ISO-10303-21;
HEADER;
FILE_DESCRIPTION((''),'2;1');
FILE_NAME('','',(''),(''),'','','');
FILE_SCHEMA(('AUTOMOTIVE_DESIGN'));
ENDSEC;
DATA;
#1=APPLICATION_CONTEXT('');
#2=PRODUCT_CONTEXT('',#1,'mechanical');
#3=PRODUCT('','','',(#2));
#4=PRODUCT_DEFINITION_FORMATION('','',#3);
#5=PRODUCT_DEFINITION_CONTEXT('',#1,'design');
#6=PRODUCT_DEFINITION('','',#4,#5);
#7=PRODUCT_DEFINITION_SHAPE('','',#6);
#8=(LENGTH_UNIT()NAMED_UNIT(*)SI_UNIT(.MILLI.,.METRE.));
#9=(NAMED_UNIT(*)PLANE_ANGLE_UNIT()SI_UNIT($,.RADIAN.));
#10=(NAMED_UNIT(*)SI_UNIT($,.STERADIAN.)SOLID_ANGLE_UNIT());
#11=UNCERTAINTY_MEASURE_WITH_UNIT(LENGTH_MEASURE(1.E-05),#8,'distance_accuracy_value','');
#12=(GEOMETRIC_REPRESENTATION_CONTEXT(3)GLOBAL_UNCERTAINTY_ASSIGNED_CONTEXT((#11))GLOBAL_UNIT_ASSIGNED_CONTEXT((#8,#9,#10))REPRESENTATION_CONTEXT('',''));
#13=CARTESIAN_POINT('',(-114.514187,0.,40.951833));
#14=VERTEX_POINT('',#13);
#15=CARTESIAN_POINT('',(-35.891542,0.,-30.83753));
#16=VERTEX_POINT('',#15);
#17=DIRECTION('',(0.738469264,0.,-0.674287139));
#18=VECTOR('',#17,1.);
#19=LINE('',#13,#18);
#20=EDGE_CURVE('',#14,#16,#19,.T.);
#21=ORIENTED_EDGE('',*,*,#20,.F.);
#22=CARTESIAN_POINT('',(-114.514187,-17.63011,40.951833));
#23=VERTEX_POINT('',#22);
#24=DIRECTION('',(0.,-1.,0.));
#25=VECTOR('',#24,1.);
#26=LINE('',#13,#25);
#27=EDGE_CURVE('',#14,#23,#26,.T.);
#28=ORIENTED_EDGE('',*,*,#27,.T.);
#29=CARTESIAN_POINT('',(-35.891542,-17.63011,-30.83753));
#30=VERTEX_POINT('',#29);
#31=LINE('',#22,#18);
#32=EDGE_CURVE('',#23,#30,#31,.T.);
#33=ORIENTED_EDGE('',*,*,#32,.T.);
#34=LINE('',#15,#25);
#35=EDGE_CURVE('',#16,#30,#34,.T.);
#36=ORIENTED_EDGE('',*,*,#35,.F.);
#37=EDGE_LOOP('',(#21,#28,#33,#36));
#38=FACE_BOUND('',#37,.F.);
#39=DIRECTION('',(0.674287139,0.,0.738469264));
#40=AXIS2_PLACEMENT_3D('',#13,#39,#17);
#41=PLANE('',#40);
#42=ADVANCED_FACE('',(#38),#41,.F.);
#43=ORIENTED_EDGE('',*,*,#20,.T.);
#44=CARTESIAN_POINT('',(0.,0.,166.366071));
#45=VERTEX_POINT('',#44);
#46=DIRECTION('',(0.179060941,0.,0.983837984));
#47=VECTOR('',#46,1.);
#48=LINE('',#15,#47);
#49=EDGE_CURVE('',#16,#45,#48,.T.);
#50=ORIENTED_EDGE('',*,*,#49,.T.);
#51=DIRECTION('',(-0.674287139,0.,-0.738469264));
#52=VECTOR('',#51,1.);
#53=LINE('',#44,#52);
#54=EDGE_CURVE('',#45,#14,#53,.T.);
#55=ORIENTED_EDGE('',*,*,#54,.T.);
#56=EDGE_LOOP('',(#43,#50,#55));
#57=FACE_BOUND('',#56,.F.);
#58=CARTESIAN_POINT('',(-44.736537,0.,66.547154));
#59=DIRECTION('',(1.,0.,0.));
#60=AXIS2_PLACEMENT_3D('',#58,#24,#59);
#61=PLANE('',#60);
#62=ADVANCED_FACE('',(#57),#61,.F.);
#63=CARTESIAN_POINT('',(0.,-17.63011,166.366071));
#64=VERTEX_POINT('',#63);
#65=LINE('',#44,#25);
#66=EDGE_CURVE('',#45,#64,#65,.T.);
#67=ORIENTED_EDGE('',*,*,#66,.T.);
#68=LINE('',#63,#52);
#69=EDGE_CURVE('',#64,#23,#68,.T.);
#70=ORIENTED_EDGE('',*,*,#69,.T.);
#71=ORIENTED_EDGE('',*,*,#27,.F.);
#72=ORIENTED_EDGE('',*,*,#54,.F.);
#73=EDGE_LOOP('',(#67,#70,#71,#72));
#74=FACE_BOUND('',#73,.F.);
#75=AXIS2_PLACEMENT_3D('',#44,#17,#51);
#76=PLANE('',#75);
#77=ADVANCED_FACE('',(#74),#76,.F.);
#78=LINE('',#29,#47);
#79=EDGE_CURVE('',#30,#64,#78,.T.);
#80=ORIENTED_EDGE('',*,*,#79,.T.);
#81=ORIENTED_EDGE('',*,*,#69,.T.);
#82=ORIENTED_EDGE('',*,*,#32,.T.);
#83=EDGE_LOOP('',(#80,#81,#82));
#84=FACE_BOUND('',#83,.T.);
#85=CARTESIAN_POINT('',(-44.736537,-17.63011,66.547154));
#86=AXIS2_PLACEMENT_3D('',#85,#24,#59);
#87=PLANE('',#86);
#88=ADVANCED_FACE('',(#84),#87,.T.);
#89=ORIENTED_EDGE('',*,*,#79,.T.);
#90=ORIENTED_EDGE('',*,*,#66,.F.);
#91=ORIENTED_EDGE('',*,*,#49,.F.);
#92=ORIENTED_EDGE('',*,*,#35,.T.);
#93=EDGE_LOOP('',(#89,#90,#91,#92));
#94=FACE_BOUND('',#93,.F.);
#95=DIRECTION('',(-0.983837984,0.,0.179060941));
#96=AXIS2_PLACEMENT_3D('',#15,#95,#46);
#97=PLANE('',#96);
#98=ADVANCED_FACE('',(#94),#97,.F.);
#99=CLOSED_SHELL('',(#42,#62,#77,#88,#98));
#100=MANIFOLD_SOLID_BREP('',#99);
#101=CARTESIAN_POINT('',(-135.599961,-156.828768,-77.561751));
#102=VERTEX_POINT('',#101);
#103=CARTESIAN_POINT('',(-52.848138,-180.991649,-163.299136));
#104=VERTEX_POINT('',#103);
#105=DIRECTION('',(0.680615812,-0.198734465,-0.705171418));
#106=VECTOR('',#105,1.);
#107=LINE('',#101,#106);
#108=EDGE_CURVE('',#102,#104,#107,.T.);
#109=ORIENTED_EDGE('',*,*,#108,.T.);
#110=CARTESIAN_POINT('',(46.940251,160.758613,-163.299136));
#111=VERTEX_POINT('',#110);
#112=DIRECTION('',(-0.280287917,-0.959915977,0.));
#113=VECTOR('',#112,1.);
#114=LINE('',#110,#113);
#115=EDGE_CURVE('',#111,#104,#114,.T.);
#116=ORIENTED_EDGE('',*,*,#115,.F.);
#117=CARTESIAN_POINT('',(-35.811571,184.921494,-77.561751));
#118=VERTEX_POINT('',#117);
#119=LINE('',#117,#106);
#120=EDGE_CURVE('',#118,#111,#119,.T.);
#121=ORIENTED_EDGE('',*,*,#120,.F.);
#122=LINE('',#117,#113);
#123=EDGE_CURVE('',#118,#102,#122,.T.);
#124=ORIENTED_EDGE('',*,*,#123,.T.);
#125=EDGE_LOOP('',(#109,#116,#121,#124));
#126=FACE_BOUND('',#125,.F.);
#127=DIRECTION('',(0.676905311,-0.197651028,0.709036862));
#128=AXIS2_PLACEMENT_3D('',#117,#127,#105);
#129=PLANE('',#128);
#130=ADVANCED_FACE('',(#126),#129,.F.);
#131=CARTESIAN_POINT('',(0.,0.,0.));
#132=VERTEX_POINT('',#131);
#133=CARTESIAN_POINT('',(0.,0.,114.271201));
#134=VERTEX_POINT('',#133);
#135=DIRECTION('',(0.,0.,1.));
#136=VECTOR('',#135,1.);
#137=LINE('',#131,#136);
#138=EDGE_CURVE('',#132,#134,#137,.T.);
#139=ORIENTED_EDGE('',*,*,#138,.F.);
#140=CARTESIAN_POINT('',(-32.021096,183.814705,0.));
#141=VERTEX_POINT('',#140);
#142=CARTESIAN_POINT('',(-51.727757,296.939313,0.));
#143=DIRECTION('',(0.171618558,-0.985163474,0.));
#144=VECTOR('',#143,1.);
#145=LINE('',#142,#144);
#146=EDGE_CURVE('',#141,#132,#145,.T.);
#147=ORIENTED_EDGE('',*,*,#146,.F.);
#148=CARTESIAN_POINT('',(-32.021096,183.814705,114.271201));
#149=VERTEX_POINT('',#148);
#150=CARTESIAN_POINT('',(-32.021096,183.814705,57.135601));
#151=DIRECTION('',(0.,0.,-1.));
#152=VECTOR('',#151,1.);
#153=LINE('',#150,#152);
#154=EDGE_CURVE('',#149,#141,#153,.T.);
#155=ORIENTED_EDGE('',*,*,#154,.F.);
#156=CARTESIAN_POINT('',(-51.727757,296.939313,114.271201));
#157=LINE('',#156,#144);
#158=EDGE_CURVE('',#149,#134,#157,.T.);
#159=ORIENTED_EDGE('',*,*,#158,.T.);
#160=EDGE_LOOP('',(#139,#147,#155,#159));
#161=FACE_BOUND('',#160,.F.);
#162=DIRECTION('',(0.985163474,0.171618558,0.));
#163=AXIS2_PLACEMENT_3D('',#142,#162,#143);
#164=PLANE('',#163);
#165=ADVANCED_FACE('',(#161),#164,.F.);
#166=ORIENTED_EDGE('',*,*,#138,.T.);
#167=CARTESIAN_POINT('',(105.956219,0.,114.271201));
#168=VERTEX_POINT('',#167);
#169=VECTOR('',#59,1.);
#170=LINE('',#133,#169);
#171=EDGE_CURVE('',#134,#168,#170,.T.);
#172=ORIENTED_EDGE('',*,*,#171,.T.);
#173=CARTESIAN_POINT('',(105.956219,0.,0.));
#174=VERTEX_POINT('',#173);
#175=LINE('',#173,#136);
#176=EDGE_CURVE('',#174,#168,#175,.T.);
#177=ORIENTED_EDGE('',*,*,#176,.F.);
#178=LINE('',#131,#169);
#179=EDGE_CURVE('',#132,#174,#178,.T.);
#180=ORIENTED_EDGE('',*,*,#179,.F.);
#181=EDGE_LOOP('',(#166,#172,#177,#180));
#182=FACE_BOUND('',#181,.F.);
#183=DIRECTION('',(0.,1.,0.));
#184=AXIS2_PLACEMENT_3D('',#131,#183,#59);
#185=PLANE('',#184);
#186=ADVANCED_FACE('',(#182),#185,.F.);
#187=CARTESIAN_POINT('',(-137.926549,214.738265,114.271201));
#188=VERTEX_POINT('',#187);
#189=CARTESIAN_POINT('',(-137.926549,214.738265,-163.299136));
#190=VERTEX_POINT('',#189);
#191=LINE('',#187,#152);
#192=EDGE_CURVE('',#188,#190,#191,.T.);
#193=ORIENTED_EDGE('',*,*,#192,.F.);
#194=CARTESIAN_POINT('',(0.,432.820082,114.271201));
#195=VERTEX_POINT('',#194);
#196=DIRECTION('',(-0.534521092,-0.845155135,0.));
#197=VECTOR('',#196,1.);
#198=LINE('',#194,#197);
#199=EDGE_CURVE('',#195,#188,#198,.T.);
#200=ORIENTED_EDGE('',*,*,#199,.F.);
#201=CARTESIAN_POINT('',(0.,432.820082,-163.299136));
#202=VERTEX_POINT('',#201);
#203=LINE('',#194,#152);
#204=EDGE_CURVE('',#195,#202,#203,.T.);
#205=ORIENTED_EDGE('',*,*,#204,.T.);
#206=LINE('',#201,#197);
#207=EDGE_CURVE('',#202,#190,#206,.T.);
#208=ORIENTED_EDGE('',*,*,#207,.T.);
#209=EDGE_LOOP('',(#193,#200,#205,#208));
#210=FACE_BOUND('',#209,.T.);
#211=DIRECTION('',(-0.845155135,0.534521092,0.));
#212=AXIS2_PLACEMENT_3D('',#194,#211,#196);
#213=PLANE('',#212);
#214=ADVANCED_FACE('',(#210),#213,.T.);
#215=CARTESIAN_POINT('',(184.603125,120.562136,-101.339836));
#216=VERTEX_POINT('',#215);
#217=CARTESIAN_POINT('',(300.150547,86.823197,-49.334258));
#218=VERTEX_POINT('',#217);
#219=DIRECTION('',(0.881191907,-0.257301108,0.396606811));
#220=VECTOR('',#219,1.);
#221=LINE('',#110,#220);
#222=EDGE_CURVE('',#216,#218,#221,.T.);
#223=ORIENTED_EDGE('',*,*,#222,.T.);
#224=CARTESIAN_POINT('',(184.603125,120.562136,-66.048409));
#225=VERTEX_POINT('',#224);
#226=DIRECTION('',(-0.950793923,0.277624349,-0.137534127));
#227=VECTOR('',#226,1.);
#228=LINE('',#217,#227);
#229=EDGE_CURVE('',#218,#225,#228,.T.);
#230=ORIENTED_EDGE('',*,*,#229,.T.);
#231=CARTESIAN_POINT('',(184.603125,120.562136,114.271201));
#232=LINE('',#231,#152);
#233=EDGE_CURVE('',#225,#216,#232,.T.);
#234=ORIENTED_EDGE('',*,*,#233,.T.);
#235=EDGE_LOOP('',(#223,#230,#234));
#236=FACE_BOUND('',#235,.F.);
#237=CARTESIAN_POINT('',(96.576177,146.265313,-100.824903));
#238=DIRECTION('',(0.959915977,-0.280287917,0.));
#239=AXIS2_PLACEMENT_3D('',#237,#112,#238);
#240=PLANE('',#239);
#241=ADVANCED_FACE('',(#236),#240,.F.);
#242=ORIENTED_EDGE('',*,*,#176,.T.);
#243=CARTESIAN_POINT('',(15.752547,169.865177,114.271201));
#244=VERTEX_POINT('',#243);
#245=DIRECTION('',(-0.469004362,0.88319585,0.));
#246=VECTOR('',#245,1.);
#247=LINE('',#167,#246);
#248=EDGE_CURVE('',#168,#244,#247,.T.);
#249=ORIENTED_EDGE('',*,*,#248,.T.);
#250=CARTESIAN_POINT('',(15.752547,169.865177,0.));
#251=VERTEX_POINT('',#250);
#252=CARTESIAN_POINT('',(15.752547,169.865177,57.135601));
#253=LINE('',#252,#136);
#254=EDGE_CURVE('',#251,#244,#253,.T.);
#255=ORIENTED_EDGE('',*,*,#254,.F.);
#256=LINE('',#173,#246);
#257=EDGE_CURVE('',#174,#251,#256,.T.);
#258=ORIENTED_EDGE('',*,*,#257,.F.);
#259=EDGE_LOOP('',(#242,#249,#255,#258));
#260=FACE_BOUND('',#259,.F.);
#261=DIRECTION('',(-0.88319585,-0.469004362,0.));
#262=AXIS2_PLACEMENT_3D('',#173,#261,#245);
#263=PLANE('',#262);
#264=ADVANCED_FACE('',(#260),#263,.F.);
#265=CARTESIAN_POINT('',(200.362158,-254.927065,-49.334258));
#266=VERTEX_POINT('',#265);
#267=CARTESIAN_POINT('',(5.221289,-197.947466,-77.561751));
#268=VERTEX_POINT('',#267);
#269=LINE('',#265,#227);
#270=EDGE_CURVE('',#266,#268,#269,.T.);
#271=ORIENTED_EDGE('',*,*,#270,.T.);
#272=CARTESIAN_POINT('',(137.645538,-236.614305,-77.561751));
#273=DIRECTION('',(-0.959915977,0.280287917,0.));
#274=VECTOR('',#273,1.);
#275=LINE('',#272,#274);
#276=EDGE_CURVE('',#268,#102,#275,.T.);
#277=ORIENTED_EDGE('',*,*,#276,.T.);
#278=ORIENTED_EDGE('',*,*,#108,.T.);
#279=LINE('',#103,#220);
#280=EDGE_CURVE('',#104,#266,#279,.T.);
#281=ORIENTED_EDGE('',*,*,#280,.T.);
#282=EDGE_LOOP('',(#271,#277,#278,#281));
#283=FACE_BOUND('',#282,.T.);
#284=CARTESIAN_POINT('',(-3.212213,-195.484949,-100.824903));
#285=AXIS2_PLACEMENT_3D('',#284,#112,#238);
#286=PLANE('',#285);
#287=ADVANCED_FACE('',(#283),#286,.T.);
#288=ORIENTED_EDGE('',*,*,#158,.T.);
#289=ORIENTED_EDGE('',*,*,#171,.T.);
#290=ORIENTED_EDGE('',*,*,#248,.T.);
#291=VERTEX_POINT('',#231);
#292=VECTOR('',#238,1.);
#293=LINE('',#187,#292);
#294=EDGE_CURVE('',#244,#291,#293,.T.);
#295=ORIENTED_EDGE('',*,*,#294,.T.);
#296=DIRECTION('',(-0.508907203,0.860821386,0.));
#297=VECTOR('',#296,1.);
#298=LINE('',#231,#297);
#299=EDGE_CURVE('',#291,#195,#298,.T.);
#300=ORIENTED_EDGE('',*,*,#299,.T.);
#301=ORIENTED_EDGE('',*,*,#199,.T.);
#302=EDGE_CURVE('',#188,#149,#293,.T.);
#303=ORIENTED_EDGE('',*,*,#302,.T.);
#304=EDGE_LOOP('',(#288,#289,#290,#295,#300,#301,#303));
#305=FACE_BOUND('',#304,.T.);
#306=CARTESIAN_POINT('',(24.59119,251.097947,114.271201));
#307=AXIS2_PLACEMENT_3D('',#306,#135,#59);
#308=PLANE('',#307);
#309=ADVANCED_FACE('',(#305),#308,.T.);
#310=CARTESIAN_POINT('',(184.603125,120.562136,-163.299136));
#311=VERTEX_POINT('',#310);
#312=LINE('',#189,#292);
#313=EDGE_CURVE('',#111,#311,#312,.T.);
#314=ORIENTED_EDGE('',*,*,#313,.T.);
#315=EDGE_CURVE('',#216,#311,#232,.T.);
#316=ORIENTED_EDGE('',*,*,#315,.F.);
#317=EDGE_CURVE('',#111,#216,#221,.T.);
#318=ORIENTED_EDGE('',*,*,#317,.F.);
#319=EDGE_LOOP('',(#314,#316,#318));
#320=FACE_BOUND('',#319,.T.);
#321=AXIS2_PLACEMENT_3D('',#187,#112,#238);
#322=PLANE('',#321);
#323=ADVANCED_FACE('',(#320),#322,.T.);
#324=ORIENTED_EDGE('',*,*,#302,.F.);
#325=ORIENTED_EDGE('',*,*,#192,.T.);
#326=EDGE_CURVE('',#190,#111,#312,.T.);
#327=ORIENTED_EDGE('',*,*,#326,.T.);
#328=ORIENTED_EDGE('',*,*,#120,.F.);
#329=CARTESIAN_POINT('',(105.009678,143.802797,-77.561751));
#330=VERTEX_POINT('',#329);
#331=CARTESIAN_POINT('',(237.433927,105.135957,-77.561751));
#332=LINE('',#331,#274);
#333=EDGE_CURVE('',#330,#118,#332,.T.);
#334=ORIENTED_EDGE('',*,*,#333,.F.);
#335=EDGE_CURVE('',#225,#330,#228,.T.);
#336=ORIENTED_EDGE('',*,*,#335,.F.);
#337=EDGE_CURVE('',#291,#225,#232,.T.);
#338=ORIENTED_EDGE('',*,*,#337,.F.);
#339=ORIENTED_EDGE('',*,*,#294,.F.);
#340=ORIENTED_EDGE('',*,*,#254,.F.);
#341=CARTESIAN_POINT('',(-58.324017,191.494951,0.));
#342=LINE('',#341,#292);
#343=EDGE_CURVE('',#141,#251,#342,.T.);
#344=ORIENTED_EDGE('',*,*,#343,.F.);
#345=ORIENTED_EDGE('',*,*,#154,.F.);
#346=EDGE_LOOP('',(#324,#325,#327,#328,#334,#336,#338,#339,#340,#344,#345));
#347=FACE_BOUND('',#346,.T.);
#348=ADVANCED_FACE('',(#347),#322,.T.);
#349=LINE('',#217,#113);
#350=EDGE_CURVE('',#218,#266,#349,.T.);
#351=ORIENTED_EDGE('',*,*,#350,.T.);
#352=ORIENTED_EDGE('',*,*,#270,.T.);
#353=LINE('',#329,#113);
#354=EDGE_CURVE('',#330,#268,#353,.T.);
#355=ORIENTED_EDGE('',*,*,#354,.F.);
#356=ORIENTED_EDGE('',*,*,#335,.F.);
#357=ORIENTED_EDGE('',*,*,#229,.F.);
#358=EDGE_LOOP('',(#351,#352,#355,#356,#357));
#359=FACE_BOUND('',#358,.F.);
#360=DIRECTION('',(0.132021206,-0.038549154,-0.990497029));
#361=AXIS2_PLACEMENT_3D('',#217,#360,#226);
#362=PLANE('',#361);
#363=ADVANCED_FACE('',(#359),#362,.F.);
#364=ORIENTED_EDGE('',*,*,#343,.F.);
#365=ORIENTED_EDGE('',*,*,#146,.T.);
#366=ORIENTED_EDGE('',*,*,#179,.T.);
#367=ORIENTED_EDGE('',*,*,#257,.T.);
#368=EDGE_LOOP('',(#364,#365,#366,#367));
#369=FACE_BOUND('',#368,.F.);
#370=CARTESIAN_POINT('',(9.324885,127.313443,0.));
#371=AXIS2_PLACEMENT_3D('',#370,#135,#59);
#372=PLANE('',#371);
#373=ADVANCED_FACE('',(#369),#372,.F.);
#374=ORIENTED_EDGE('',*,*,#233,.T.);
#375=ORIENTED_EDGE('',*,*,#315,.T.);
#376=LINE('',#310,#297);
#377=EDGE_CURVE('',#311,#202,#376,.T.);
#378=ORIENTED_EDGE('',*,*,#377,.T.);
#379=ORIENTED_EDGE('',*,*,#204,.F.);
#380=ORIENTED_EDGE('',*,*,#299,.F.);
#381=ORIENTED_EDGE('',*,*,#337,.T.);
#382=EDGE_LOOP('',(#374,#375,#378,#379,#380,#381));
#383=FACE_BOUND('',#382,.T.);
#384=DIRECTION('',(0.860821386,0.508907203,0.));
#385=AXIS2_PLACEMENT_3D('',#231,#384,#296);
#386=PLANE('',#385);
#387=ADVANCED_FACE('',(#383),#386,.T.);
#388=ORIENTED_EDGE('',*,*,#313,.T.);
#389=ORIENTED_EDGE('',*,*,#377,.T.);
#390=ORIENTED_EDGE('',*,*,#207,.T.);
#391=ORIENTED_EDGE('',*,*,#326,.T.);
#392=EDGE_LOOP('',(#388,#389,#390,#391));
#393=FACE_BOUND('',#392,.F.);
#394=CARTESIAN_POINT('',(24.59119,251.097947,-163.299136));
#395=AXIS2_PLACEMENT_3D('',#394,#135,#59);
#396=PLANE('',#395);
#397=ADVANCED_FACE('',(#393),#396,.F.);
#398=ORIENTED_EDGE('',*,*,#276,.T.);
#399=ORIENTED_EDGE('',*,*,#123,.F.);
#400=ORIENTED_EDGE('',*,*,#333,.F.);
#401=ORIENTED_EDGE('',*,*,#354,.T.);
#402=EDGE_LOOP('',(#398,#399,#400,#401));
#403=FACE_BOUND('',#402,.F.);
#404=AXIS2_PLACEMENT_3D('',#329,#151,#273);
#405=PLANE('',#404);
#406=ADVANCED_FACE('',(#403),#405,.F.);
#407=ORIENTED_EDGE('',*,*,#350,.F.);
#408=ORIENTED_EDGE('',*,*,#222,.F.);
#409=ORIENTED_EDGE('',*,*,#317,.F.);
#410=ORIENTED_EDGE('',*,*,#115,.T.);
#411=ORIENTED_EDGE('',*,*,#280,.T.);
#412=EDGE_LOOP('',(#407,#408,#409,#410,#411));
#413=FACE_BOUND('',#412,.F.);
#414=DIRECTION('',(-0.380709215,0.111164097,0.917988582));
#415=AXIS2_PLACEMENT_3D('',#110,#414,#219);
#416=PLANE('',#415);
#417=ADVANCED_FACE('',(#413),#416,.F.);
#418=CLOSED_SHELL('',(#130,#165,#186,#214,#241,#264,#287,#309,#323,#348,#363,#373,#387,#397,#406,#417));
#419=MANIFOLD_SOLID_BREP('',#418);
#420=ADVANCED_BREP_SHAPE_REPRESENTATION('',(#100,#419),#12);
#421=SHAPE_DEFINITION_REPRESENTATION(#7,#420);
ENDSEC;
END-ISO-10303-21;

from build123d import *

# Parameters (mm, degrees)
F1_DEPTH = 17.6301095635
F3_DEPTH = 114.2712011933
F5_DEPTH = 277.5703370571
F7_DEPTH = 356.0210168362


with BuildPart() as f1:
    # F0 (on Front) → F1 (new body)
    with BuildSketch(Plane.XZ):
        Polygon((-35.8915419667, -30.8375303411), (0, 166.366070509), (-114.5141869783, 40.9518331289), align=None)
    extrude(amount=F1_DEPTH)


with BuildPart() as f3:
    # F2 (on Top) → F3 (new body)
    with BuildSketch(Plane.XY):
        Polygon((-51.7277568579, 296.9393134117), (0, 0), (105.9562191367, 0), align=None)
    extrude(amount=F3_DEPTH)

    # F4 (on face) → F5 (join)
    with BuildSketch(Plane.XY.offset(114.2712011933)):
        Polygon((184.6031248569, 120.5621361732), (0, 432.8200817108), (-137.9265487194, 214.7382646799), align=None)
    extrude(amount=-F5_DEPTH)

    # F6 (on face) → F7 (join)
    with BuildSketch(Plane(origin=(46.9402508542, 160.7586128848, 0), x_dir=(0.9599159773, -0.2802879172, 0), z_dir=(-0.2802879172, -0.9599159773, 0))):
        Polygon((198.4482820092, -77.561751008), (60.4942813516, -77.561751008), (-86.2073600292, -77.561751008), (0, -163.2991358638), align=None)
        Polygon((263.7838125229, -49.3342578411), (60.4942813516, -77.561751008), (198.4482820092, -77.561751008), align=None)
        Polygon((143.4113789723, -77.561751008), (60.4942813516, -77.561751008), (-86.2073600292, -77.561751008), (0, -163.2991358638), (143.4113789723, -101.3398361049), align=None)
    extrude(amount=F7_DEPTH)


solid = Compound([f1.part, f3.part])
